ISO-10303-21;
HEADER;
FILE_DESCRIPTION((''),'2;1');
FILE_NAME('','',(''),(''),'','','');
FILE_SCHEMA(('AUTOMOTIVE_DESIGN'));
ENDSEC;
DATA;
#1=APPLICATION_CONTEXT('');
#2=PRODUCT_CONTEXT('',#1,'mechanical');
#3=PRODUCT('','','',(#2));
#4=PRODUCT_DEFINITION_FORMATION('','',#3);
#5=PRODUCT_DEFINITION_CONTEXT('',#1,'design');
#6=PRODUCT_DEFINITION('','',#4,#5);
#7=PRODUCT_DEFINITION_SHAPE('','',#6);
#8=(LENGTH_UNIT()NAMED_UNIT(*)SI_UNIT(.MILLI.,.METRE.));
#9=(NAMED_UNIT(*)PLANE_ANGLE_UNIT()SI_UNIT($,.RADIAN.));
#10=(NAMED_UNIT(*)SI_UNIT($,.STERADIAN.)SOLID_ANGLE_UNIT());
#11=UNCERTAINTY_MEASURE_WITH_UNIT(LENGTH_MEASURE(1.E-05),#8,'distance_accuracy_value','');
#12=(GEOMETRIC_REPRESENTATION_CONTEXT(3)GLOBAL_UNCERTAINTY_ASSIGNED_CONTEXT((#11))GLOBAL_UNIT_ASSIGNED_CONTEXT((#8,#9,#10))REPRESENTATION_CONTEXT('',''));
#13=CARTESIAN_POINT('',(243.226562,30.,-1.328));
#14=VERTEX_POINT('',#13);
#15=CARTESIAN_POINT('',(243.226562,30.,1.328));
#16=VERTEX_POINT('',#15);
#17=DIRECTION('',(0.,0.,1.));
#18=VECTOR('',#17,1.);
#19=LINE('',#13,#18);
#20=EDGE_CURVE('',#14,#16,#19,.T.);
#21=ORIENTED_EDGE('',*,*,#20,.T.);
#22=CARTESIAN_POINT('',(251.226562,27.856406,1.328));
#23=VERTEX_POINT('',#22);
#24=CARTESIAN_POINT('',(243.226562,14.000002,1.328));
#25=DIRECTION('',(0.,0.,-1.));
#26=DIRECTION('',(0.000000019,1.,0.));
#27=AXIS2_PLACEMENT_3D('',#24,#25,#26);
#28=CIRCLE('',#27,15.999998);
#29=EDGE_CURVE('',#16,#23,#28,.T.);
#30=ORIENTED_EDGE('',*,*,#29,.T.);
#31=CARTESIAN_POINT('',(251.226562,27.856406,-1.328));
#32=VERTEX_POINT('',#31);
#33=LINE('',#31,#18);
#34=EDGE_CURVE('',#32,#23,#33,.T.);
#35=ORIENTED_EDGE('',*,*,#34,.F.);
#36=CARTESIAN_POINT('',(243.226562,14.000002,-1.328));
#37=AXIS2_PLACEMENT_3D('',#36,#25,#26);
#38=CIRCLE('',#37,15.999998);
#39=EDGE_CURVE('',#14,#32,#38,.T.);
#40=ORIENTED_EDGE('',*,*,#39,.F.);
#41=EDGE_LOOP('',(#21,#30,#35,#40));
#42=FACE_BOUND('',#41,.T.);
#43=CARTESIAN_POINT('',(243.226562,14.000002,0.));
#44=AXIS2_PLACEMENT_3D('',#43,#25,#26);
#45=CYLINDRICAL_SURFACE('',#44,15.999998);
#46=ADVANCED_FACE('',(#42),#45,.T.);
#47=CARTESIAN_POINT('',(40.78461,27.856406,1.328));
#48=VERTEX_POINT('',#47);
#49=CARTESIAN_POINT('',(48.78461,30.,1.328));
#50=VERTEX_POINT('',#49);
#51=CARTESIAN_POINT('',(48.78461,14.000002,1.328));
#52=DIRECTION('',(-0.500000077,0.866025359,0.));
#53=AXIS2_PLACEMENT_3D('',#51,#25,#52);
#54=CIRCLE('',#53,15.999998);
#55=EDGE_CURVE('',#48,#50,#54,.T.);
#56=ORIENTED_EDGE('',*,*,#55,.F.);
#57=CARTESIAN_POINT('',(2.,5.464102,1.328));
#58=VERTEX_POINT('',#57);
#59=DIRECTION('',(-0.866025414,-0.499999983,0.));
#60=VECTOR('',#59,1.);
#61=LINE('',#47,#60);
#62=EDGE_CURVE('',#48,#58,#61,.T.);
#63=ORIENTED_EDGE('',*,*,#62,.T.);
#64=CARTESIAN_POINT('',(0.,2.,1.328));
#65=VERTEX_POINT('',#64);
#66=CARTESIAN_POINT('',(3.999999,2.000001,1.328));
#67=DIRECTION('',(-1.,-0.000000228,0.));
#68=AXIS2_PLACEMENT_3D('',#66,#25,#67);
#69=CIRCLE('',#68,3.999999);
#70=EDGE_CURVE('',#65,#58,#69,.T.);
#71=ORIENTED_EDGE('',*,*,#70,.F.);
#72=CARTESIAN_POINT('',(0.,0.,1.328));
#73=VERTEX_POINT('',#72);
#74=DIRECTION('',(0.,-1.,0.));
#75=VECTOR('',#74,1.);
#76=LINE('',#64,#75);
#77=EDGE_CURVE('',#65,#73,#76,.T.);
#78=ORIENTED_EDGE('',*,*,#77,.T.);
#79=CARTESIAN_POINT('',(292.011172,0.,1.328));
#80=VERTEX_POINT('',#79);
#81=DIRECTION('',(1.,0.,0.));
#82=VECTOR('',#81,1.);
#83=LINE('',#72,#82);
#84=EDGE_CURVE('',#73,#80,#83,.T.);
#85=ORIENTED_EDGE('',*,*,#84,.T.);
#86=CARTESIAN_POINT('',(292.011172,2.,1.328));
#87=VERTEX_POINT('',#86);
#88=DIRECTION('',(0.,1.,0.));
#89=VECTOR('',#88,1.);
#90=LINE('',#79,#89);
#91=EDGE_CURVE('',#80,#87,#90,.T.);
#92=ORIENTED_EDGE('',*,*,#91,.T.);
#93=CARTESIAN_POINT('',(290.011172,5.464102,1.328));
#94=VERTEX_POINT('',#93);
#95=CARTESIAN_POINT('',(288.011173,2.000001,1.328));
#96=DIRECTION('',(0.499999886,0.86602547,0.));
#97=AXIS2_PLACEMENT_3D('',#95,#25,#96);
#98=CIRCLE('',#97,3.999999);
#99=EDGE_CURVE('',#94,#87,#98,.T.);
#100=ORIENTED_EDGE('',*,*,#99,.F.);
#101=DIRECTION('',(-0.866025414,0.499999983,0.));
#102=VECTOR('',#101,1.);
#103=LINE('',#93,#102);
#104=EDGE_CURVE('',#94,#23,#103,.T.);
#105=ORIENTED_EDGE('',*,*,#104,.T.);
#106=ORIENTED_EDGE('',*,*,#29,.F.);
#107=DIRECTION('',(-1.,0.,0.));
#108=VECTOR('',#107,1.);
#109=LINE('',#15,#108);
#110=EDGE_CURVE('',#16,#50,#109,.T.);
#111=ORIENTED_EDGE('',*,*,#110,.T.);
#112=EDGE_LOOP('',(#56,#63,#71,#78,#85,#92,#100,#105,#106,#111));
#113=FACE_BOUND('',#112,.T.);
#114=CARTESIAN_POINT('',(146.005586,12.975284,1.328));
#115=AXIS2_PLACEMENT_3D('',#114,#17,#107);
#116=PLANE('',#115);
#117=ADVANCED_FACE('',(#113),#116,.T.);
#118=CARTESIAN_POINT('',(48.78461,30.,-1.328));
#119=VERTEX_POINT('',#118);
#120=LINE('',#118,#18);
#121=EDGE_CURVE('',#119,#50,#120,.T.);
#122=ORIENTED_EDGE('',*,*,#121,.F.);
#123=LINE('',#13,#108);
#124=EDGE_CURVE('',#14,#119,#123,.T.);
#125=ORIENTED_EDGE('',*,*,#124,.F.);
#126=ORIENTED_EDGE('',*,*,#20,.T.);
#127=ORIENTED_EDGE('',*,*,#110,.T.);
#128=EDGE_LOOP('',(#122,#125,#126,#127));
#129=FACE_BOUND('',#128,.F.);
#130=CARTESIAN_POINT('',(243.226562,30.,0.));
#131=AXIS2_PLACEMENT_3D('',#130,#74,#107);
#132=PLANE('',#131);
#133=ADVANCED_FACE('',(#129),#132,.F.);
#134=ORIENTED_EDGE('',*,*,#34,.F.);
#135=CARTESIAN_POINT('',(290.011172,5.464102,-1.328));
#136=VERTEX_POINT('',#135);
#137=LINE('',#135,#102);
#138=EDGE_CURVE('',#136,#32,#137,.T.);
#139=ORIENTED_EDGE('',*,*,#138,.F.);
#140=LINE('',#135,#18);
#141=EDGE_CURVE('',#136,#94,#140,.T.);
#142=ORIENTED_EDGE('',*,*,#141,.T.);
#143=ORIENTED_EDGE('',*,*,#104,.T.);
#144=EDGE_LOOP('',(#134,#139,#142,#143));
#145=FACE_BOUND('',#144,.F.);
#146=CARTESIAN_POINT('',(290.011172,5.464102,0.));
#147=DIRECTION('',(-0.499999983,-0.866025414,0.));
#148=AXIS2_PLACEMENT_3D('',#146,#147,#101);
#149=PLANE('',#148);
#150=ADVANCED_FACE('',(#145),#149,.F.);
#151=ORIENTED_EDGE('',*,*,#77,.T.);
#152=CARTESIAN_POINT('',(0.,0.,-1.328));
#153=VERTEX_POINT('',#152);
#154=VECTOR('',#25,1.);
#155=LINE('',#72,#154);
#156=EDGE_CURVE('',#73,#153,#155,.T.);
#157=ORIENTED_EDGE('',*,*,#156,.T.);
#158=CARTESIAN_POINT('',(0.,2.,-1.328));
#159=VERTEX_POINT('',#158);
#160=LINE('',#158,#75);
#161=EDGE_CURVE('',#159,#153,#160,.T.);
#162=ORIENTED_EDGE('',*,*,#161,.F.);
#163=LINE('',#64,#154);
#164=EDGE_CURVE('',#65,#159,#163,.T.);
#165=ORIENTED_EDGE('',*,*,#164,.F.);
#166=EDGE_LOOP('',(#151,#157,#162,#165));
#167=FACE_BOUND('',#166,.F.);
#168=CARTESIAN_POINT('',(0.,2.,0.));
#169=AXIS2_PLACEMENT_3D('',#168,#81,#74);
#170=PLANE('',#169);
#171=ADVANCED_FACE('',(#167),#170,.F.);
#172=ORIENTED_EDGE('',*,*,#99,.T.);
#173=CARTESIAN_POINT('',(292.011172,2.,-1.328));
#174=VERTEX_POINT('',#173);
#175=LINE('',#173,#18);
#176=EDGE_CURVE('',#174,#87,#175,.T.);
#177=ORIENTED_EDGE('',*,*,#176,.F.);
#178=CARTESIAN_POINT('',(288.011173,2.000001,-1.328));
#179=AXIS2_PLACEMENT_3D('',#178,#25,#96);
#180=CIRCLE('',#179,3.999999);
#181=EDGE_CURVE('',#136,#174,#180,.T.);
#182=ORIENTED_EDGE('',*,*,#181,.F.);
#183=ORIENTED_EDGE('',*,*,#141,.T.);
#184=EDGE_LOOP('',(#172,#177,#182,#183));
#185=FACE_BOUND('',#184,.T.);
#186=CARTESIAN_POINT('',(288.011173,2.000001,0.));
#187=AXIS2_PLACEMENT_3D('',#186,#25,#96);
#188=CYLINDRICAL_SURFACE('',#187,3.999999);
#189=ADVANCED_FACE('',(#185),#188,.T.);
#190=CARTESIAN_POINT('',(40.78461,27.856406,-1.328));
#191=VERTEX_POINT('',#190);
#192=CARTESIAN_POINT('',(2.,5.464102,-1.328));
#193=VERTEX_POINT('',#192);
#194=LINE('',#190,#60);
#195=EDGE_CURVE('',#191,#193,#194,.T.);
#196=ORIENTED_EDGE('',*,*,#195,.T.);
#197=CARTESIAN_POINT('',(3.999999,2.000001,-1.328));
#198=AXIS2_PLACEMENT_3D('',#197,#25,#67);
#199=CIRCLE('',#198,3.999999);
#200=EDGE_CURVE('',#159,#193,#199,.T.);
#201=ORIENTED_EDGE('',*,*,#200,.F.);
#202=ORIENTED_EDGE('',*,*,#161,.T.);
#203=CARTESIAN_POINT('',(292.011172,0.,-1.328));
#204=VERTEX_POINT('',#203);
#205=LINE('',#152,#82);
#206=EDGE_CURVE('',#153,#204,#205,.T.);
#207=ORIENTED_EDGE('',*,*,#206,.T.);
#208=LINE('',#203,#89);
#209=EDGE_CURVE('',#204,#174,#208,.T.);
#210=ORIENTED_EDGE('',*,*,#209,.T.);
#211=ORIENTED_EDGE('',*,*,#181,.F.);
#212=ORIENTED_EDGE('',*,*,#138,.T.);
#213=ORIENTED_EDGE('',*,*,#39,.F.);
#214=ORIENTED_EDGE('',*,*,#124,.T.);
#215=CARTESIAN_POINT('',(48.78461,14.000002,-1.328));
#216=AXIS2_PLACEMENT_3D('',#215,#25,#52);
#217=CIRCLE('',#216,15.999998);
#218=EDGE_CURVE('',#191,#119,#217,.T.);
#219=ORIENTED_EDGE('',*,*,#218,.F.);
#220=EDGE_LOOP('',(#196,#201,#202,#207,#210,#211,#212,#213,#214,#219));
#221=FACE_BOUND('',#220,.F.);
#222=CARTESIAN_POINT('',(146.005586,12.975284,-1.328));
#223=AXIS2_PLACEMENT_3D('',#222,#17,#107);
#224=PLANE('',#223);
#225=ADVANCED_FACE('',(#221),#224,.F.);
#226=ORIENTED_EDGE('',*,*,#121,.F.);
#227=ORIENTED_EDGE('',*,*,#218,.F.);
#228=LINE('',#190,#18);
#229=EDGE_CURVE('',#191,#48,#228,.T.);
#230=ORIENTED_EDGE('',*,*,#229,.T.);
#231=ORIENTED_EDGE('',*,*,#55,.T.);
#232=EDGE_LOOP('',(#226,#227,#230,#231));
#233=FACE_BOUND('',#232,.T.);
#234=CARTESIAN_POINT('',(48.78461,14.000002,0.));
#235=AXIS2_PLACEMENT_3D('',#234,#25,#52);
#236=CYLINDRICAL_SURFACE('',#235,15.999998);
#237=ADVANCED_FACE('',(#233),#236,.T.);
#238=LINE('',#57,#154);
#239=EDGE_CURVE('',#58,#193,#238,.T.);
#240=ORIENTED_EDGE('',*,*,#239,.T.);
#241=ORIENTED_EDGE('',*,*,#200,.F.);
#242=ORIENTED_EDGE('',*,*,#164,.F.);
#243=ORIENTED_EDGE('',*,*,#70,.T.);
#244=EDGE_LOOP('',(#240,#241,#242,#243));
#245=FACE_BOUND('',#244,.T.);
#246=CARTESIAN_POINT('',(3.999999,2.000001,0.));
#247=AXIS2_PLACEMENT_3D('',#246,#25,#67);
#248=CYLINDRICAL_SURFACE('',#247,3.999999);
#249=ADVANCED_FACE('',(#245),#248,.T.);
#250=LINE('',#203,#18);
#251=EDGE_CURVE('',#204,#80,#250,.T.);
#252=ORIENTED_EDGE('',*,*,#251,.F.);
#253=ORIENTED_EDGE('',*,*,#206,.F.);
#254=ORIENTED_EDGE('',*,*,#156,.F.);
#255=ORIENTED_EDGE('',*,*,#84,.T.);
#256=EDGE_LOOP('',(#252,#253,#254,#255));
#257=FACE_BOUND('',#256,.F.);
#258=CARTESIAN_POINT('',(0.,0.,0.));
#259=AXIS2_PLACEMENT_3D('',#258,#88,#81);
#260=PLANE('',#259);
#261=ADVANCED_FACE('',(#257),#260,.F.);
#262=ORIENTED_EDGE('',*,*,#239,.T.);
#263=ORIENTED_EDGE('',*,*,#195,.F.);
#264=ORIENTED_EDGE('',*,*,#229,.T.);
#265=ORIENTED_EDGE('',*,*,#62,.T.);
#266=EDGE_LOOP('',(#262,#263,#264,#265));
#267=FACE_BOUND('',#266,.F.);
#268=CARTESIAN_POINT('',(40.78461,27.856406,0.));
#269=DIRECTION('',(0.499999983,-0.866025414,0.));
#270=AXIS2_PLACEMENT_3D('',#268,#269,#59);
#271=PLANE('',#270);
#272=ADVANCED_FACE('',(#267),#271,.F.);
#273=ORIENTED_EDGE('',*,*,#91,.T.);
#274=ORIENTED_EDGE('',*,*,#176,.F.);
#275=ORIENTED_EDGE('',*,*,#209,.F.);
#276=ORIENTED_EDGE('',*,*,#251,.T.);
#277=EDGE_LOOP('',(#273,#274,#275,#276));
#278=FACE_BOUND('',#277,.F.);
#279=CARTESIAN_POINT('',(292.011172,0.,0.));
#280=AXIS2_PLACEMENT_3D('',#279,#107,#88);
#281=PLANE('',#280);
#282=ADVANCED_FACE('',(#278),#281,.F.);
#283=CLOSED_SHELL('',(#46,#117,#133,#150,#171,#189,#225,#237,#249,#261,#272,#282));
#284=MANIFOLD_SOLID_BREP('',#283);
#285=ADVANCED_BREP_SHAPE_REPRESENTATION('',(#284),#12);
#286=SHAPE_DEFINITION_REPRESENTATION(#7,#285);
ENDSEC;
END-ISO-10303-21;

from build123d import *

# Parameters (mm, degrees)
PAD_DEPTH = 1.328


with BuildPart() as part:
    # Sketch → Pad (new body, symmetric)
    with BuildSketch(Plane(origin=(78.011172, 0, 0), x_dir=(1, 0, 0), z_dir=(0, 0, -1))):
        with BuildLine():
            Line((-78.011172, 0), (214, 0))
            Line((214, 0), (214, -2))
            ThreePointArc((212, -5.464102), (213.464102, -4), (214, -2))
            Line((212, -5.464102), (173.21539, -27.856406))
            ThreePointArc((165.21539, -30), (169.356495, -29.454813), (173.21539, -27.856406))
            Line((165.21539, -30), (-29.226562, -30))
            ThreePointArc((-37.226562, -27.856406), (-33.367667, -29.454813), (-29.226562, -30))
            Line((-37.226562, -27.856406), (-76.011172, -5.464102))
            ThreePointArc((-78.011172, -2), (-77.475274, -4), (-76.011172, -5.464102))
            Line((-78.011172, -2), (-78.011172, 0))
        make_face()
    extrude(amount=PAD_DEPTH, both=True)


solid = part.part
